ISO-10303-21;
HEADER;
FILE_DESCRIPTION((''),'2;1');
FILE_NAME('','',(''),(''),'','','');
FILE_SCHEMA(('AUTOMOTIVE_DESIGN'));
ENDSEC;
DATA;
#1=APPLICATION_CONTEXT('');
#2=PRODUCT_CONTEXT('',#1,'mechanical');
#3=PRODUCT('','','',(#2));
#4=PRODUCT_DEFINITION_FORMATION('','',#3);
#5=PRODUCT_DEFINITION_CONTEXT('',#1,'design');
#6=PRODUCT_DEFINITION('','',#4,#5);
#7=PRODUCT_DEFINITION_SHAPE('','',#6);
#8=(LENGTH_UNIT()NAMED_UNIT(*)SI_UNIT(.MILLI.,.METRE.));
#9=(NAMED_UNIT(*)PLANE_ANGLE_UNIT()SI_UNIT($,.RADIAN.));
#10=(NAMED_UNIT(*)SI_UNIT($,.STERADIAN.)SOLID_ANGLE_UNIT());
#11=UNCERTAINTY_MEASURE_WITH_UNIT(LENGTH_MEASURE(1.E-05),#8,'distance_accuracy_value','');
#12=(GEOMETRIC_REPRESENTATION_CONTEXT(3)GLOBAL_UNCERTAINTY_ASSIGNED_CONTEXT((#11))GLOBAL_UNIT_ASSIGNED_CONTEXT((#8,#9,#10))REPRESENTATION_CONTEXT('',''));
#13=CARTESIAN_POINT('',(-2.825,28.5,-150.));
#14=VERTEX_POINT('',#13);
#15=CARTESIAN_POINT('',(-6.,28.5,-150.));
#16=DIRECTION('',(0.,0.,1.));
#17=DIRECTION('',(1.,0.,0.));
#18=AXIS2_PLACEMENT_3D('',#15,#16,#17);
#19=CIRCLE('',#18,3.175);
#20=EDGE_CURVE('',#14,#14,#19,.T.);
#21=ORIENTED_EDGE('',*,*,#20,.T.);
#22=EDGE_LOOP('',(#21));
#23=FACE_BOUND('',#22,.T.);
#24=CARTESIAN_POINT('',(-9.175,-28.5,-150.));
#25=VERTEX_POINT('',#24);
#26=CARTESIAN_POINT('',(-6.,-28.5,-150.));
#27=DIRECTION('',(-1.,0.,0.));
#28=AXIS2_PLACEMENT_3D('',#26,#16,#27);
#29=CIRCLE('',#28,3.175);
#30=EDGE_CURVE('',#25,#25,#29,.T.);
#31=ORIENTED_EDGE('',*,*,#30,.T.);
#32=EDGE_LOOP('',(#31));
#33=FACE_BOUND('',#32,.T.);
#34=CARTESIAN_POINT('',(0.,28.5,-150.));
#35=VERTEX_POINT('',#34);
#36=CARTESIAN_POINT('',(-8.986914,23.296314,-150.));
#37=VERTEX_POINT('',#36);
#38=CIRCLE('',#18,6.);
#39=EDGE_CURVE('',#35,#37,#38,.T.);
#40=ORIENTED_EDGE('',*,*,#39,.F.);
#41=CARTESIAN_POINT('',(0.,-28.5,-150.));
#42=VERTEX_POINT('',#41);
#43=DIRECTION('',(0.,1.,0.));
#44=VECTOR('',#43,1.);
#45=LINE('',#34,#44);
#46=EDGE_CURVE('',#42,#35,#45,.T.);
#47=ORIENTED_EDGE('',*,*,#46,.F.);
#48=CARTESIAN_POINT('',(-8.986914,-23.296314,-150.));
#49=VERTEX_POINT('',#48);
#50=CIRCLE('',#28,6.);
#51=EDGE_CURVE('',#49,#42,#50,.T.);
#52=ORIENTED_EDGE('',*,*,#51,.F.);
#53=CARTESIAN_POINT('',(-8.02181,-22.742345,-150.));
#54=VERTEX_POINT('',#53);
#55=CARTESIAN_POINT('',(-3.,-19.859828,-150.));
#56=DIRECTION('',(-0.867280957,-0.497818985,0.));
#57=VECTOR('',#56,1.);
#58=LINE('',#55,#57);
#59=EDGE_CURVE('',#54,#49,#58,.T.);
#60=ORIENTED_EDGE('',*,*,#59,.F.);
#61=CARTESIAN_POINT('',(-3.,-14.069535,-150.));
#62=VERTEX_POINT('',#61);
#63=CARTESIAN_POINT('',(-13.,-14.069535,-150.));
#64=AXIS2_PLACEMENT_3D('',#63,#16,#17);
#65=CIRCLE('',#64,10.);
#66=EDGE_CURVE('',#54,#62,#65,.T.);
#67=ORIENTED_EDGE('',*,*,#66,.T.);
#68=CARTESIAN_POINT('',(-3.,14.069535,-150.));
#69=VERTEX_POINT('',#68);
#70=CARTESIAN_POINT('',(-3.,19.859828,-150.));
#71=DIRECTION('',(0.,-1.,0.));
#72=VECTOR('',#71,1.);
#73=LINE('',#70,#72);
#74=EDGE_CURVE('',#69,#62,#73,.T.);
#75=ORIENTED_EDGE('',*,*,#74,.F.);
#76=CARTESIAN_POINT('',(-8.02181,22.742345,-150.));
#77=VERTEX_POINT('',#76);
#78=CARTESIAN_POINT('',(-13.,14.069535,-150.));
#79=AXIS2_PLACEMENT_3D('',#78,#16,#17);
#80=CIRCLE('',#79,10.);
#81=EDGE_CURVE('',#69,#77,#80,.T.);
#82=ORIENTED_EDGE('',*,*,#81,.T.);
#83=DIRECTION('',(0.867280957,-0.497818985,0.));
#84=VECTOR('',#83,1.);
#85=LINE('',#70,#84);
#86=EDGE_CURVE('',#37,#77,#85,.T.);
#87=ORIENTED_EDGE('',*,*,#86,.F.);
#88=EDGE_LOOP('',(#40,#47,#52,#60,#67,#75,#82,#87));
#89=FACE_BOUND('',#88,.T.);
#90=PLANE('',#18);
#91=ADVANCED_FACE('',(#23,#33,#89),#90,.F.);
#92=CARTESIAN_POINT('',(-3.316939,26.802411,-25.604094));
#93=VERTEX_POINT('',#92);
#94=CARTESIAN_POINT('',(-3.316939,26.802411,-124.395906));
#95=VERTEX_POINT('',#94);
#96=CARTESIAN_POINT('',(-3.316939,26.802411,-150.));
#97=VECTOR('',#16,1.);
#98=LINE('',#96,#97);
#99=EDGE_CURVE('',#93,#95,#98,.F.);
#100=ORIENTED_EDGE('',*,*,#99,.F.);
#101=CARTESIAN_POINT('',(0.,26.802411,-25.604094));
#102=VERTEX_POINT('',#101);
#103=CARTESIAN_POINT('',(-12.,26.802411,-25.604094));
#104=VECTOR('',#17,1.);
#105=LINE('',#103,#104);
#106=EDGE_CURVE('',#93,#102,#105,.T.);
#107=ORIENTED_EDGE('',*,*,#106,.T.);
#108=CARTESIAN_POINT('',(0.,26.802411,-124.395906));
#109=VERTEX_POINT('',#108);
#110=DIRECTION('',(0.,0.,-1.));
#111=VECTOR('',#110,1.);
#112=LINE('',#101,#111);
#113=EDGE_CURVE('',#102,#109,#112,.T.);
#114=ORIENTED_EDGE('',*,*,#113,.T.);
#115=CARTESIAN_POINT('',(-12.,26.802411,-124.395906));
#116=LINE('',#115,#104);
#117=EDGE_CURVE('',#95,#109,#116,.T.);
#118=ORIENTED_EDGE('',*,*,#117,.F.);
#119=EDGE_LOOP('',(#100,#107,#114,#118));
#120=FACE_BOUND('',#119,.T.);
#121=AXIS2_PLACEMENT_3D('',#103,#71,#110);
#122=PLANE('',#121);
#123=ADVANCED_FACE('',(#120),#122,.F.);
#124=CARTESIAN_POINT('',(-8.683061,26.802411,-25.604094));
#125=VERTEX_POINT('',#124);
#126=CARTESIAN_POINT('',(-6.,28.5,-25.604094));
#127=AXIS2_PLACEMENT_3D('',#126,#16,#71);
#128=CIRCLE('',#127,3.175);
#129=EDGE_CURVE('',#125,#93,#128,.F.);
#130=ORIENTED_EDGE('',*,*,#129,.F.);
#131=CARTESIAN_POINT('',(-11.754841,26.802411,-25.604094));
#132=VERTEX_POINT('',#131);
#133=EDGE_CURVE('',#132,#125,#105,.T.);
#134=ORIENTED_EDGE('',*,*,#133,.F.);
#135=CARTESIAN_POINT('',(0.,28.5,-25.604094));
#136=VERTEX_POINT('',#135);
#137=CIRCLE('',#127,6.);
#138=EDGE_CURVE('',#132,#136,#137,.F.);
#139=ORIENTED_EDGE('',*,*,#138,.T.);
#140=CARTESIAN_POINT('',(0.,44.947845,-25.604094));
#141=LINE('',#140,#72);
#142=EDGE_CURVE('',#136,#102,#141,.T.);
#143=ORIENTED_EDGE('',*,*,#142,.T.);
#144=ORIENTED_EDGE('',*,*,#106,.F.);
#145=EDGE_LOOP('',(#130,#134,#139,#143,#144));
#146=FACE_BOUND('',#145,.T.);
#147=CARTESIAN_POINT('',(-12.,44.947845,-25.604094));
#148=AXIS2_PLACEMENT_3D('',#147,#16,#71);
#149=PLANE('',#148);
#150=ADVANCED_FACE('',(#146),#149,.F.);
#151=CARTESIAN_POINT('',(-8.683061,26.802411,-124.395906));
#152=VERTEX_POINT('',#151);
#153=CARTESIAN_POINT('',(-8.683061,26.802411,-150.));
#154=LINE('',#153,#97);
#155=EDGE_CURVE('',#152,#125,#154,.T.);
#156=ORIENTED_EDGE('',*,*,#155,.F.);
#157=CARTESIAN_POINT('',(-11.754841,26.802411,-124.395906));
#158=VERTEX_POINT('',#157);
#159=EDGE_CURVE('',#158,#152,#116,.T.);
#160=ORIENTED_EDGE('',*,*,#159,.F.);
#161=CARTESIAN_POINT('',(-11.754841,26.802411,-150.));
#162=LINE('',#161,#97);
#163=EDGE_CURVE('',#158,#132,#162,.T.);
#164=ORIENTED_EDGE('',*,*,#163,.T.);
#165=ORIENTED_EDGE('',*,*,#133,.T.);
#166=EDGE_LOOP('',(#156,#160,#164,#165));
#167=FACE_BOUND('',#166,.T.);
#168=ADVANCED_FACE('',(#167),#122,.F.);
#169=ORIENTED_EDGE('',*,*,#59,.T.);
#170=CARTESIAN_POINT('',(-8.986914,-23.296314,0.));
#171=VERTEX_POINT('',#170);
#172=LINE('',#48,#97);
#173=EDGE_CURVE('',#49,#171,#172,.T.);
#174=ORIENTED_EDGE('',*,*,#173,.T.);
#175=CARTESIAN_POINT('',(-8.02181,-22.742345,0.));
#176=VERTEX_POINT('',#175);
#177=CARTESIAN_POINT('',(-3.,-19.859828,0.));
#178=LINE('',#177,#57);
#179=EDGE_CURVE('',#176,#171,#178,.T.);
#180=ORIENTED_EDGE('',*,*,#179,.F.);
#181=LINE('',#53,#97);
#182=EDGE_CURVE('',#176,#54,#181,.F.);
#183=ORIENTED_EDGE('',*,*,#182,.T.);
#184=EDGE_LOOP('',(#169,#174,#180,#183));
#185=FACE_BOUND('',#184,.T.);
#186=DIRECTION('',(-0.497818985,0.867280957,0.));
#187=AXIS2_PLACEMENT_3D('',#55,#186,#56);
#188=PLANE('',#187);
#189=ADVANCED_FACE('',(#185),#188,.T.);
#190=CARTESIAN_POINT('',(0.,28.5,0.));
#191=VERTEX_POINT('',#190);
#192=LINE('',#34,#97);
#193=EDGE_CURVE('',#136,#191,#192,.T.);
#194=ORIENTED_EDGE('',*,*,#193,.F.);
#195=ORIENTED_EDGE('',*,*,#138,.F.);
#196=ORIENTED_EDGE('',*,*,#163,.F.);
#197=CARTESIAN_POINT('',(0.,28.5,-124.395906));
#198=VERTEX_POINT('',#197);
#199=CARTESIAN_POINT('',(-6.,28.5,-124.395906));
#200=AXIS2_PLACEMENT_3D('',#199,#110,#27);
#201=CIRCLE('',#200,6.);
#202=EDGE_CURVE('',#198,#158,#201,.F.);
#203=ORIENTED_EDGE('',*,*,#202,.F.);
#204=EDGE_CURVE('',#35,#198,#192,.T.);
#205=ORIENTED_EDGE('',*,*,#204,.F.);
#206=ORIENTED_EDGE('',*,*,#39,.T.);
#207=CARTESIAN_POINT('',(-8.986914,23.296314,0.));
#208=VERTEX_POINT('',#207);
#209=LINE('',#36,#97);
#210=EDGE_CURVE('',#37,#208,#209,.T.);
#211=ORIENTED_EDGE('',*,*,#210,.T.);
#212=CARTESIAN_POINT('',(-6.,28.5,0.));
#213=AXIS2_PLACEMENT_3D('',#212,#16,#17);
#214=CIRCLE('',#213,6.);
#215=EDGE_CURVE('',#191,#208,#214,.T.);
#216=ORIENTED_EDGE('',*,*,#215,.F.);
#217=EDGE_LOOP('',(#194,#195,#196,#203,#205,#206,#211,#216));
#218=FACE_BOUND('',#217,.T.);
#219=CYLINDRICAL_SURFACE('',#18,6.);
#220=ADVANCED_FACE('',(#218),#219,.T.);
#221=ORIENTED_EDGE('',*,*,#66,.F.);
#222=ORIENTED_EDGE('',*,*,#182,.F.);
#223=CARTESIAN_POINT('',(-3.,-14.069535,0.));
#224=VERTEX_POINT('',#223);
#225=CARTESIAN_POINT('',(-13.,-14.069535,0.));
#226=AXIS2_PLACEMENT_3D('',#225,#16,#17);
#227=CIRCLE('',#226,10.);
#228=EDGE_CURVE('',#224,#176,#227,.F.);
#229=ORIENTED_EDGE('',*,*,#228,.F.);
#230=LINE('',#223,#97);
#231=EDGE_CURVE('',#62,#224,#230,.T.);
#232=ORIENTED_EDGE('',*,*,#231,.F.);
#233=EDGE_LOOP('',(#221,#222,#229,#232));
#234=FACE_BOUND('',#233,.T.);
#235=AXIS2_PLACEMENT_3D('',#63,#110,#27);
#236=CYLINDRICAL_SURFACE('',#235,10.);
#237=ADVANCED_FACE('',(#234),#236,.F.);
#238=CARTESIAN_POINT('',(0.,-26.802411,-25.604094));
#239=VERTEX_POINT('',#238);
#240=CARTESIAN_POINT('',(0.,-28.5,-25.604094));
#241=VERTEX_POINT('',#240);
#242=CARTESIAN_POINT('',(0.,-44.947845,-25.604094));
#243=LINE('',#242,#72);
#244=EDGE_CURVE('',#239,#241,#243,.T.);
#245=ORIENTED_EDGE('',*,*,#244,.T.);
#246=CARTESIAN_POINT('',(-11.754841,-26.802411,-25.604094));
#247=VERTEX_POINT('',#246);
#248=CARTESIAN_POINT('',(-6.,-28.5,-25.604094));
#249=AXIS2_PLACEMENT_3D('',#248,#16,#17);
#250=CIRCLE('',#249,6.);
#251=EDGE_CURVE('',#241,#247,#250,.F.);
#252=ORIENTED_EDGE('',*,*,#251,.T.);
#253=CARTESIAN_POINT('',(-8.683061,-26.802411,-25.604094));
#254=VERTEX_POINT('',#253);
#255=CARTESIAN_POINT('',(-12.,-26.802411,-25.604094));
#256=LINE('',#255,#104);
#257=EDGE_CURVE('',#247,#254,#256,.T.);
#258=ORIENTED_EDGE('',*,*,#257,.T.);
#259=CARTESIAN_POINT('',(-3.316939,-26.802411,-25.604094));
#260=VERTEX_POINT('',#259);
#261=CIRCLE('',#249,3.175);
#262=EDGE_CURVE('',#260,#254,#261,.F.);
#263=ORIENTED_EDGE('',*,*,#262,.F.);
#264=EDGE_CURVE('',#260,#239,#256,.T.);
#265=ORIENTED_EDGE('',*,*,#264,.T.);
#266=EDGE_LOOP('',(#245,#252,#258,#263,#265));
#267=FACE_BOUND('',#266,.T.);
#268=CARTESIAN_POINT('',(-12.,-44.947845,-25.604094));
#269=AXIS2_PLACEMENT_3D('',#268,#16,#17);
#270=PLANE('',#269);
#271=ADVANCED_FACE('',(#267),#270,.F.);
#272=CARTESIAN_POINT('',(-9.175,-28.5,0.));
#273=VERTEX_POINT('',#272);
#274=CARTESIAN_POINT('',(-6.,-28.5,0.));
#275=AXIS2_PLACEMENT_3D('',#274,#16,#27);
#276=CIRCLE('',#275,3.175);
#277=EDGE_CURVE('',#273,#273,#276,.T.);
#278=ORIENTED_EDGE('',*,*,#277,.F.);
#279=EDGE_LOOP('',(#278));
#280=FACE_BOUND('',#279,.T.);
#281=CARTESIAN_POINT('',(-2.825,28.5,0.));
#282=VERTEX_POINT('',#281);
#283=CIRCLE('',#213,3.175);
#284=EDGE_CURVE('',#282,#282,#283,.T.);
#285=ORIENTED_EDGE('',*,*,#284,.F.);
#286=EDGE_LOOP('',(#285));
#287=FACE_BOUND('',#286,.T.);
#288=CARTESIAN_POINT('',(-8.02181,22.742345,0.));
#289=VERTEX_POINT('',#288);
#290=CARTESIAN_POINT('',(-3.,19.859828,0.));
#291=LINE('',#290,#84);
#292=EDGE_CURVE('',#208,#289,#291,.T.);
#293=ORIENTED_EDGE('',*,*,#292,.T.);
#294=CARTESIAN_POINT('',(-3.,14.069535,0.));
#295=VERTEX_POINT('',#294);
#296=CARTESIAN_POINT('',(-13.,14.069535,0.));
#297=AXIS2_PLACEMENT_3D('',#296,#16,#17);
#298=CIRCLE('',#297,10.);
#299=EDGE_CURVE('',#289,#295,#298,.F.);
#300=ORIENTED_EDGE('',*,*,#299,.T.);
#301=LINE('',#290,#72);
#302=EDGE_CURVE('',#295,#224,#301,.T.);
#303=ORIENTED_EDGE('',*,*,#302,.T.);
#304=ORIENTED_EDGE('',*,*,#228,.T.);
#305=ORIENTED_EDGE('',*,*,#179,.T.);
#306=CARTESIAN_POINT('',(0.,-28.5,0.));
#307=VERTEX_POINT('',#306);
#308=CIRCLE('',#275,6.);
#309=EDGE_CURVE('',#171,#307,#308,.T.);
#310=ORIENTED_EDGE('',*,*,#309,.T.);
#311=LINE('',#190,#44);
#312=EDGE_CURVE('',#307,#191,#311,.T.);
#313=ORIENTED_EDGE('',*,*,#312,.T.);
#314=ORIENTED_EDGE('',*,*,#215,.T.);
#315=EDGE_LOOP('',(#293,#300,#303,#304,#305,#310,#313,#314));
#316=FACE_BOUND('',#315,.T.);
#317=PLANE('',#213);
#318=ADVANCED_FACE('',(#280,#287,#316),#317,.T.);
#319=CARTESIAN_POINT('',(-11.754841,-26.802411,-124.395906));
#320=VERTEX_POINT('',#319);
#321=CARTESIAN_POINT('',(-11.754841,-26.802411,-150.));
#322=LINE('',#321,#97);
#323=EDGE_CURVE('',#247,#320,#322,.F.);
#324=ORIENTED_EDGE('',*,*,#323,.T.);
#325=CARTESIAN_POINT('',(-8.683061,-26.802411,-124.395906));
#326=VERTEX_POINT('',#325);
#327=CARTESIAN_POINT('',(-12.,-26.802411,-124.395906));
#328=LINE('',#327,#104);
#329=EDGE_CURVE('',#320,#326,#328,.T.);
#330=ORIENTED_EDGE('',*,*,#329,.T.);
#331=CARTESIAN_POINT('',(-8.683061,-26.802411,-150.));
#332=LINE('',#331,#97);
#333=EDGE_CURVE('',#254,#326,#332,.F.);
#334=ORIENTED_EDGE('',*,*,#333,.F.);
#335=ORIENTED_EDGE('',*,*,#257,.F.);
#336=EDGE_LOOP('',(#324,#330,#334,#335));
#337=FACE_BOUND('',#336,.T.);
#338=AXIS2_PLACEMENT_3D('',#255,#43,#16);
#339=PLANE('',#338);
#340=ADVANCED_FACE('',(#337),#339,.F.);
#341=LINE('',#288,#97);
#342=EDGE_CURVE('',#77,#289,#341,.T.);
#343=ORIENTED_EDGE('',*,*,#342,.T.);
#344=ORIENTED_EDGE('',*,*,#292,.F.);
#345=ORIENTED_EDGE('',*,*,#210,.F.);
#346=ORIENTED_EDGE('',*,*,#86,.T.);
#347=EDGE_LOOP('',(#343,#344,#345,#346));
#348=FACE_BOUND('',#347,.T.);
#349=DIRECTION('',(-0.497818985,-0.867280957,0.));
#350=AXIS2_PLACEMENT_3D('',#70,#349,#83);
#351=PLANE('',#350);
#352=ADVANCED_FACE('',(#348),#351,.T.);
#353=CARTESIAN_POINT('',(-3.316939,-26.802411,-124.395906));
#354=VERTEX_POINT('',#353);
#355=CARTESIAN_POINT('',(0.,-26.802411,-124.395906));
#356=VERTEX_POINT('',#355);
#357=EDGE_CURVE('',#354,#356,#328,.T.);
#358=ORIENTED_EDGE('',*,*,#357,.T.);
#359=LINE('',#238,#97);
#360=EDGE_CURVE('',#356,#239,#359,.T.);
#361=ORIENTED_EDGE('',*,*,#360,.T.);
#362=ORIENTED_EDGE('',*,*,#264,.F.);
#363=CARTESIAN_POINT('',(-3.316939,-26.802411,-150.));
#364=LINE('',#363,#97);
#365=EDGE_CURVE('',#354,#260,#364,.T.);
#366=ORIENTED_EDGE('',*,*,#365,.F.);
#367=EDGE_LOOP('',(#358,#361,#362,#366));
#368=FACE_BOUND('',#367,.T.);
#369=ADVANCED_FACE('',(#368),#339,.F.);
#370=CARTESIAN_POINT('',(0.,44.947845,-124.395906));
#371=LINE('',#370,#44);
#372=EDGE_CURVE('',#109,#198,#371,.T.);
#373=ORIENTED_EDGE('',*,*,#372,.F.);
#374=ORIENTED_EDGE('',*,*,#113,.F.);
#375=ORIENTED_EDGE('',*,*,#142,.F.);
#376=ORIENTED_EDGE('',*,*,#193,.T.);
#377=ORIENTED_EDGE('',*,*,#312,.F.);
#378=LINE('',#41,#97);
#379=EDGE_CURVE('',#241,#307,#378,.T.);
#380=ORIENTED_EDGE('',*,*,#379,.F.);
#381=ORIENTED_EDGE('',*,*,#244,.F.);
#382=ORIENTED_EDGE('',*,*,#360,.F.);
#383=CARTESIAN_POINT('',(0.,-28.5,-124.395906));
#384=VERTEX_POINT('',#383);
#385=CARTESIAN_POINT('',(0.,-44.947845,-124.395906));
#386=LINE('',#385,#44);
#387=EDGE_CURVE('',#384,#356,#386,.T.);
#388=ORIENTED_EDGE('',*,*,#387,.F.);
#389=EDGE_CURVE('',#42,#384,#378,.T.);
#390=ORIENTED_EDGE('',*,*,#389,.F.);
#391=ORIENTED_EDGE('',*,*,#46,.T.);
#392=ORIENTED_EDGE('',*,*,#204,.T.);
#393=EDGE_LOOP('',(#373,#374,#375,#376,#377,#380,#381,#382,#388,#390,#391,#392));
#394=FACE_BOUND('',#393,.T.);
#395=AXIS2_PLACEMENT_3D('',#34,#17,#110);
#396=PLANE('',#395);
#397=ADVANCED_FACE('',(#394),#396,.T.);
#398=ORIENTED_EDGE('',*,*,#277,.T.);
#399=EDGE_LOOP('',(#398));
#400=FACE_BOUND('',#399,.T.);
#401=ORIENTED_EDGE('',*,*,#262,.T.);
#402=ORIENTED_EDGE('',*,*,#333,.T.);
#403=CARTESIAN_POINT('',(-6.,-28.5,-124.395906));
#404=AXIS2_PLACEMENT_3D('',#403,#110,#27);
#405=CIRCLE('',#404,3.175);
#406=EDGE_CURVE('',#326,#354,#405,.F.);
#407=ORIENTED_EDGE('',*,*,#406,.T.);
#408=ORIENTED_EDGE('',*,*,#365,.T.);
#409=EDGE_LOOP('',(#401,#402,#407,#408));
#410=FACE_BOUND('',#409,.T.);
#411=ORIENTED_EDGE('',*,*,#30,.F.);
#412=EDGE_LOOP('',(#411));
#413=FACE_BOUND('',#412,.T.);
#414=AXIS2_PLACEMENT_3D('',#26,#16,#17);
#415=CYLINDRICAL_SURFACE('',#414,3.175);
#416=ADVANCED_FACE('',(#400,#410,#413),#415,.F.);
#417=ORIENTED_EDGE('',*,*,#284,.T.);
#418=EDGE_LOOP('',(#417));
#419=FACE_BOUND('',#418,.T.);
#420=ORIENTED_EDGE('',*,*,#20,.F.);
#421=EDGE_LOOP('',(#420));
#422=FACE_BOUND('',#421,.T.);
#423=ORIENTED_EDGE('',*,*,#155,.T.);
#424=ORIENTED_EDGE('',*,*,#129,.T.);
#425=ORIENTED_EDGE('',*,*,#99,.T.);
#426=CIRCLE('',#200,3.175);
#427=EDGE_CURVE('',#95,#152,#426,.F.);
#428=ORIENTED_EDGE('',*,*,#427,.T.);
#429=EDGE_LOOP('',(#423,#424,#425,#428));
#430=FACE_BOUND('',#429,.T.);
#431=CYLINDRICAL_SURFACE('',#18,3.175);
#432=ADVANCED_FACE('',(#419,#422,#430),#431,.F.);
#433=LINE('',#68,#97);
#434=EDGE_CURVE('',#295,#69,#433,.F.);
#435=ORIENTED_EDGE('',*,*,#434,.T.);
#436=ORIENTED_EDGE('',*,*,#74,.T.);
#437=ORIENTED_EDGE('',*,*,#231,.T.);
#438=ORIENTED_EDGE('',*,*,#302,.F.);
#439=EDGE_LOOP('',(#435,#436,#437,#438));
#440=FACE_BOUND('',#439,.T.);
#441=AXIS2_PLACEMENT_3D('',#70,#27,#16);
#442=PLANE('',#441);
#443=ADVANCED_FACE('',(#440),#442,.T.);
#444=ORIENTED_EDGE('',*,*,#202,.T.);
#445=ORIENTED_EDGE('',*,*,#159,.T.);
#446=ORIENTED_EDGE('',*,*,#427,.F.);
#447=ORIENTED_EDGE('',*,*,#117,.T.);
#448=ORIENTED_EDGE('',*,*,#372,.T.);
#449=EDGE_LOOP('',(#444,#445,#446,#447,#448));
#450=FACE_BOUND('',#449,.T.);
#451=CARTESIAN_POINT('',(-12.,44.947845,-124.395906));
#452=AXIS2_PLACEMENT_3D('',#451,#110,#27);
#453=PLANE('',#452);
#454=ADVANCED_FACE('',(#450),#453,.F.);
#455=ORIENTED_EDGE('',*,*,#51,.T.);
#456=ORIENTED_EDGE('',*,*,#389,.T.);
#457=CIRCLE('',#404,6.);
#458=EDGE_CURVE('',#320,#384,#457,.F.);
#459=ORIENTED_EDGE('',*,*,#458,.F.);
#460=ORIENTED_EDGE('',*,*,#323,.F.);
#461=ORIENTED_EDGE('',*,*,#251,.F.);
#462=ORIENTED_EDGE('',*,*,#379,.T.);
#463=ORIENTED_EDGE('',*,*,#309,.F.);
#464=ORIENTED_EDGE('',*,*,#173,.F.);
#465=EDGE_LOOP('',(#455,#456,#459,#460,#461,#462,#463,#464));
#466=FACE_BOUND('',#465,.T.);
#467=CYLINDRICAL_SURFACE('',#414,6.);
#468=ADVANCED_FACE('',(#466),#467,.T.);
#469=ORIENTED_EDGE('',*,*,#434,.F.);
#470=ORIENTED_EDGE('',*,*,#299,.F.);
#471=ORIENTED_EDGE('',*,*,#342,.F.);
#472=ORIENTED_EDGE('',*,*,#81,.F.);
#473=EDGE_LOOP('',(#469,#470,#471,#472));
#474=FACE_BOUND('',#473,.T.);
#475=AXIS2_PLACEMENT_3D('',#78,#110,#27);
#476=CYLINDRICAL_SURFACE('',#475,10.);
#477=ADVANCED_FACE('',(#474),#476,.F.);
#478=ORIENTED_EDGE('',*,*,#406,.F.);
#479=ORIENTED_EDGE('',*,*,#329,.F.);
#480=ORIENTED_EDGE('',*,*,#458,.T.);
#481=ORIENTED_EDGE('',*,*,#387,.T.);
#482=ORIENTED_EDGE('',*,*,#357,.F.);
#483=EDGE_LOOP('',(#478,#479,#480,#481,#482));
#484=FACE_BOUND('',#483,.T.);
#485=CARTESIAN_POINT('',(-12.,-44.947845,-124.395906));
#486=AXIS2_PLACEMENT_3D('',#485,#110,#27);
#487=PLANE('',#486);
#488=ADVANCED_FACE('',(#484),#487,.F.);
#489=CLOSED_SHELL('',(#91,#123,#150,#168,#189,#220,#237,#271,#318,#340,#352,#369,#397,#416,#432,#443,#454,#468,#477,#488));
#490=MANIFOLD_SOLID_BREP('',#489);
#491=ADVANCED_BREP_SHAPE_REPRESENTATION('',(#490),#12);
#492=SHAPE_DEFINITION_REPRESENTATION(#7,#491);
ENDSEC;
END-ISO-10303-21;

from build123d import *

# Parameters (mm, degrees)
CROQUIS1_R              = 3.175
SALIENTE_EXTRUIR1_DEPTH = 150
REDONDEO1_R             = 10
CROQUIS3_W              = 98.791812306
CROQUIS3_H              = 18.145434914
CORTAR_EXTRUIR2_DEPTH   = 155.383451186


with BuildPart() as part:
    # Croquis1 → Saliente-Extruir1 (new body)
    with BuildSketch(Plane.XY):
        with BuildLine():
            Line((-3, 19.859827637), (-8.98691391, 23.296314259))
            ThreePointArc((-8.98691391, 23.296314259), (-9.006535925, 33.69237342), (0, 28.5))
            Line((0, 28.5), (0, -28.5))
            ThreePointArc((0, -28.5), (-9.006535925, -33.69237342), (-8.98691391, -23.296314259))
            Line((-8.98691391, -23.296314259), (-3, -19.859827637))
            Line((-3, -19.859827637), (-3, 19.859827637))
        make_face()
        with Locations((-6, 28.5)):
            Circle(CROQUIS1_R, mode=Mode.SUBTRACT)
        with Locations(Location((-6, -28.5, 0), (0, 0, 180))):
            Circle(CROQUIS1_R, mode=Mode.SUBTRACT)
    extrude(amount=-SALIENTE_EXTRUIR1_DEPTH)

    # Redondeo1
    redondeo1_edges = [part.edges().sort_by_distance(p)[0] for p in [
        (-3, -19.859827637, -75),
        (-3, 19.859827637, -75),
    ]]
    fillet(redondeo1_edges, radius=REDONDEO1_R)

    # Croquis3 → Cortar-Extruir2 (cut, through all)
    with BuildSketch(Plane(origin=(0, 0, 0), x_dir=(0, 0, -1), z_dir=(1, 0, 0))):
        with Locations((75, 35.875128035)):
            Rectangle(CROQUIS3_W, CROQUIS3_H)
        with Locations((75, -35.875128035)):
            Rectangle(CROQUIS3_W, CROQUIS3_H)
    extrude(amount=-CORTAR_EXTRUIR2_DEPTH, mode=Mode.SUBTRACT)


solid = part.part
